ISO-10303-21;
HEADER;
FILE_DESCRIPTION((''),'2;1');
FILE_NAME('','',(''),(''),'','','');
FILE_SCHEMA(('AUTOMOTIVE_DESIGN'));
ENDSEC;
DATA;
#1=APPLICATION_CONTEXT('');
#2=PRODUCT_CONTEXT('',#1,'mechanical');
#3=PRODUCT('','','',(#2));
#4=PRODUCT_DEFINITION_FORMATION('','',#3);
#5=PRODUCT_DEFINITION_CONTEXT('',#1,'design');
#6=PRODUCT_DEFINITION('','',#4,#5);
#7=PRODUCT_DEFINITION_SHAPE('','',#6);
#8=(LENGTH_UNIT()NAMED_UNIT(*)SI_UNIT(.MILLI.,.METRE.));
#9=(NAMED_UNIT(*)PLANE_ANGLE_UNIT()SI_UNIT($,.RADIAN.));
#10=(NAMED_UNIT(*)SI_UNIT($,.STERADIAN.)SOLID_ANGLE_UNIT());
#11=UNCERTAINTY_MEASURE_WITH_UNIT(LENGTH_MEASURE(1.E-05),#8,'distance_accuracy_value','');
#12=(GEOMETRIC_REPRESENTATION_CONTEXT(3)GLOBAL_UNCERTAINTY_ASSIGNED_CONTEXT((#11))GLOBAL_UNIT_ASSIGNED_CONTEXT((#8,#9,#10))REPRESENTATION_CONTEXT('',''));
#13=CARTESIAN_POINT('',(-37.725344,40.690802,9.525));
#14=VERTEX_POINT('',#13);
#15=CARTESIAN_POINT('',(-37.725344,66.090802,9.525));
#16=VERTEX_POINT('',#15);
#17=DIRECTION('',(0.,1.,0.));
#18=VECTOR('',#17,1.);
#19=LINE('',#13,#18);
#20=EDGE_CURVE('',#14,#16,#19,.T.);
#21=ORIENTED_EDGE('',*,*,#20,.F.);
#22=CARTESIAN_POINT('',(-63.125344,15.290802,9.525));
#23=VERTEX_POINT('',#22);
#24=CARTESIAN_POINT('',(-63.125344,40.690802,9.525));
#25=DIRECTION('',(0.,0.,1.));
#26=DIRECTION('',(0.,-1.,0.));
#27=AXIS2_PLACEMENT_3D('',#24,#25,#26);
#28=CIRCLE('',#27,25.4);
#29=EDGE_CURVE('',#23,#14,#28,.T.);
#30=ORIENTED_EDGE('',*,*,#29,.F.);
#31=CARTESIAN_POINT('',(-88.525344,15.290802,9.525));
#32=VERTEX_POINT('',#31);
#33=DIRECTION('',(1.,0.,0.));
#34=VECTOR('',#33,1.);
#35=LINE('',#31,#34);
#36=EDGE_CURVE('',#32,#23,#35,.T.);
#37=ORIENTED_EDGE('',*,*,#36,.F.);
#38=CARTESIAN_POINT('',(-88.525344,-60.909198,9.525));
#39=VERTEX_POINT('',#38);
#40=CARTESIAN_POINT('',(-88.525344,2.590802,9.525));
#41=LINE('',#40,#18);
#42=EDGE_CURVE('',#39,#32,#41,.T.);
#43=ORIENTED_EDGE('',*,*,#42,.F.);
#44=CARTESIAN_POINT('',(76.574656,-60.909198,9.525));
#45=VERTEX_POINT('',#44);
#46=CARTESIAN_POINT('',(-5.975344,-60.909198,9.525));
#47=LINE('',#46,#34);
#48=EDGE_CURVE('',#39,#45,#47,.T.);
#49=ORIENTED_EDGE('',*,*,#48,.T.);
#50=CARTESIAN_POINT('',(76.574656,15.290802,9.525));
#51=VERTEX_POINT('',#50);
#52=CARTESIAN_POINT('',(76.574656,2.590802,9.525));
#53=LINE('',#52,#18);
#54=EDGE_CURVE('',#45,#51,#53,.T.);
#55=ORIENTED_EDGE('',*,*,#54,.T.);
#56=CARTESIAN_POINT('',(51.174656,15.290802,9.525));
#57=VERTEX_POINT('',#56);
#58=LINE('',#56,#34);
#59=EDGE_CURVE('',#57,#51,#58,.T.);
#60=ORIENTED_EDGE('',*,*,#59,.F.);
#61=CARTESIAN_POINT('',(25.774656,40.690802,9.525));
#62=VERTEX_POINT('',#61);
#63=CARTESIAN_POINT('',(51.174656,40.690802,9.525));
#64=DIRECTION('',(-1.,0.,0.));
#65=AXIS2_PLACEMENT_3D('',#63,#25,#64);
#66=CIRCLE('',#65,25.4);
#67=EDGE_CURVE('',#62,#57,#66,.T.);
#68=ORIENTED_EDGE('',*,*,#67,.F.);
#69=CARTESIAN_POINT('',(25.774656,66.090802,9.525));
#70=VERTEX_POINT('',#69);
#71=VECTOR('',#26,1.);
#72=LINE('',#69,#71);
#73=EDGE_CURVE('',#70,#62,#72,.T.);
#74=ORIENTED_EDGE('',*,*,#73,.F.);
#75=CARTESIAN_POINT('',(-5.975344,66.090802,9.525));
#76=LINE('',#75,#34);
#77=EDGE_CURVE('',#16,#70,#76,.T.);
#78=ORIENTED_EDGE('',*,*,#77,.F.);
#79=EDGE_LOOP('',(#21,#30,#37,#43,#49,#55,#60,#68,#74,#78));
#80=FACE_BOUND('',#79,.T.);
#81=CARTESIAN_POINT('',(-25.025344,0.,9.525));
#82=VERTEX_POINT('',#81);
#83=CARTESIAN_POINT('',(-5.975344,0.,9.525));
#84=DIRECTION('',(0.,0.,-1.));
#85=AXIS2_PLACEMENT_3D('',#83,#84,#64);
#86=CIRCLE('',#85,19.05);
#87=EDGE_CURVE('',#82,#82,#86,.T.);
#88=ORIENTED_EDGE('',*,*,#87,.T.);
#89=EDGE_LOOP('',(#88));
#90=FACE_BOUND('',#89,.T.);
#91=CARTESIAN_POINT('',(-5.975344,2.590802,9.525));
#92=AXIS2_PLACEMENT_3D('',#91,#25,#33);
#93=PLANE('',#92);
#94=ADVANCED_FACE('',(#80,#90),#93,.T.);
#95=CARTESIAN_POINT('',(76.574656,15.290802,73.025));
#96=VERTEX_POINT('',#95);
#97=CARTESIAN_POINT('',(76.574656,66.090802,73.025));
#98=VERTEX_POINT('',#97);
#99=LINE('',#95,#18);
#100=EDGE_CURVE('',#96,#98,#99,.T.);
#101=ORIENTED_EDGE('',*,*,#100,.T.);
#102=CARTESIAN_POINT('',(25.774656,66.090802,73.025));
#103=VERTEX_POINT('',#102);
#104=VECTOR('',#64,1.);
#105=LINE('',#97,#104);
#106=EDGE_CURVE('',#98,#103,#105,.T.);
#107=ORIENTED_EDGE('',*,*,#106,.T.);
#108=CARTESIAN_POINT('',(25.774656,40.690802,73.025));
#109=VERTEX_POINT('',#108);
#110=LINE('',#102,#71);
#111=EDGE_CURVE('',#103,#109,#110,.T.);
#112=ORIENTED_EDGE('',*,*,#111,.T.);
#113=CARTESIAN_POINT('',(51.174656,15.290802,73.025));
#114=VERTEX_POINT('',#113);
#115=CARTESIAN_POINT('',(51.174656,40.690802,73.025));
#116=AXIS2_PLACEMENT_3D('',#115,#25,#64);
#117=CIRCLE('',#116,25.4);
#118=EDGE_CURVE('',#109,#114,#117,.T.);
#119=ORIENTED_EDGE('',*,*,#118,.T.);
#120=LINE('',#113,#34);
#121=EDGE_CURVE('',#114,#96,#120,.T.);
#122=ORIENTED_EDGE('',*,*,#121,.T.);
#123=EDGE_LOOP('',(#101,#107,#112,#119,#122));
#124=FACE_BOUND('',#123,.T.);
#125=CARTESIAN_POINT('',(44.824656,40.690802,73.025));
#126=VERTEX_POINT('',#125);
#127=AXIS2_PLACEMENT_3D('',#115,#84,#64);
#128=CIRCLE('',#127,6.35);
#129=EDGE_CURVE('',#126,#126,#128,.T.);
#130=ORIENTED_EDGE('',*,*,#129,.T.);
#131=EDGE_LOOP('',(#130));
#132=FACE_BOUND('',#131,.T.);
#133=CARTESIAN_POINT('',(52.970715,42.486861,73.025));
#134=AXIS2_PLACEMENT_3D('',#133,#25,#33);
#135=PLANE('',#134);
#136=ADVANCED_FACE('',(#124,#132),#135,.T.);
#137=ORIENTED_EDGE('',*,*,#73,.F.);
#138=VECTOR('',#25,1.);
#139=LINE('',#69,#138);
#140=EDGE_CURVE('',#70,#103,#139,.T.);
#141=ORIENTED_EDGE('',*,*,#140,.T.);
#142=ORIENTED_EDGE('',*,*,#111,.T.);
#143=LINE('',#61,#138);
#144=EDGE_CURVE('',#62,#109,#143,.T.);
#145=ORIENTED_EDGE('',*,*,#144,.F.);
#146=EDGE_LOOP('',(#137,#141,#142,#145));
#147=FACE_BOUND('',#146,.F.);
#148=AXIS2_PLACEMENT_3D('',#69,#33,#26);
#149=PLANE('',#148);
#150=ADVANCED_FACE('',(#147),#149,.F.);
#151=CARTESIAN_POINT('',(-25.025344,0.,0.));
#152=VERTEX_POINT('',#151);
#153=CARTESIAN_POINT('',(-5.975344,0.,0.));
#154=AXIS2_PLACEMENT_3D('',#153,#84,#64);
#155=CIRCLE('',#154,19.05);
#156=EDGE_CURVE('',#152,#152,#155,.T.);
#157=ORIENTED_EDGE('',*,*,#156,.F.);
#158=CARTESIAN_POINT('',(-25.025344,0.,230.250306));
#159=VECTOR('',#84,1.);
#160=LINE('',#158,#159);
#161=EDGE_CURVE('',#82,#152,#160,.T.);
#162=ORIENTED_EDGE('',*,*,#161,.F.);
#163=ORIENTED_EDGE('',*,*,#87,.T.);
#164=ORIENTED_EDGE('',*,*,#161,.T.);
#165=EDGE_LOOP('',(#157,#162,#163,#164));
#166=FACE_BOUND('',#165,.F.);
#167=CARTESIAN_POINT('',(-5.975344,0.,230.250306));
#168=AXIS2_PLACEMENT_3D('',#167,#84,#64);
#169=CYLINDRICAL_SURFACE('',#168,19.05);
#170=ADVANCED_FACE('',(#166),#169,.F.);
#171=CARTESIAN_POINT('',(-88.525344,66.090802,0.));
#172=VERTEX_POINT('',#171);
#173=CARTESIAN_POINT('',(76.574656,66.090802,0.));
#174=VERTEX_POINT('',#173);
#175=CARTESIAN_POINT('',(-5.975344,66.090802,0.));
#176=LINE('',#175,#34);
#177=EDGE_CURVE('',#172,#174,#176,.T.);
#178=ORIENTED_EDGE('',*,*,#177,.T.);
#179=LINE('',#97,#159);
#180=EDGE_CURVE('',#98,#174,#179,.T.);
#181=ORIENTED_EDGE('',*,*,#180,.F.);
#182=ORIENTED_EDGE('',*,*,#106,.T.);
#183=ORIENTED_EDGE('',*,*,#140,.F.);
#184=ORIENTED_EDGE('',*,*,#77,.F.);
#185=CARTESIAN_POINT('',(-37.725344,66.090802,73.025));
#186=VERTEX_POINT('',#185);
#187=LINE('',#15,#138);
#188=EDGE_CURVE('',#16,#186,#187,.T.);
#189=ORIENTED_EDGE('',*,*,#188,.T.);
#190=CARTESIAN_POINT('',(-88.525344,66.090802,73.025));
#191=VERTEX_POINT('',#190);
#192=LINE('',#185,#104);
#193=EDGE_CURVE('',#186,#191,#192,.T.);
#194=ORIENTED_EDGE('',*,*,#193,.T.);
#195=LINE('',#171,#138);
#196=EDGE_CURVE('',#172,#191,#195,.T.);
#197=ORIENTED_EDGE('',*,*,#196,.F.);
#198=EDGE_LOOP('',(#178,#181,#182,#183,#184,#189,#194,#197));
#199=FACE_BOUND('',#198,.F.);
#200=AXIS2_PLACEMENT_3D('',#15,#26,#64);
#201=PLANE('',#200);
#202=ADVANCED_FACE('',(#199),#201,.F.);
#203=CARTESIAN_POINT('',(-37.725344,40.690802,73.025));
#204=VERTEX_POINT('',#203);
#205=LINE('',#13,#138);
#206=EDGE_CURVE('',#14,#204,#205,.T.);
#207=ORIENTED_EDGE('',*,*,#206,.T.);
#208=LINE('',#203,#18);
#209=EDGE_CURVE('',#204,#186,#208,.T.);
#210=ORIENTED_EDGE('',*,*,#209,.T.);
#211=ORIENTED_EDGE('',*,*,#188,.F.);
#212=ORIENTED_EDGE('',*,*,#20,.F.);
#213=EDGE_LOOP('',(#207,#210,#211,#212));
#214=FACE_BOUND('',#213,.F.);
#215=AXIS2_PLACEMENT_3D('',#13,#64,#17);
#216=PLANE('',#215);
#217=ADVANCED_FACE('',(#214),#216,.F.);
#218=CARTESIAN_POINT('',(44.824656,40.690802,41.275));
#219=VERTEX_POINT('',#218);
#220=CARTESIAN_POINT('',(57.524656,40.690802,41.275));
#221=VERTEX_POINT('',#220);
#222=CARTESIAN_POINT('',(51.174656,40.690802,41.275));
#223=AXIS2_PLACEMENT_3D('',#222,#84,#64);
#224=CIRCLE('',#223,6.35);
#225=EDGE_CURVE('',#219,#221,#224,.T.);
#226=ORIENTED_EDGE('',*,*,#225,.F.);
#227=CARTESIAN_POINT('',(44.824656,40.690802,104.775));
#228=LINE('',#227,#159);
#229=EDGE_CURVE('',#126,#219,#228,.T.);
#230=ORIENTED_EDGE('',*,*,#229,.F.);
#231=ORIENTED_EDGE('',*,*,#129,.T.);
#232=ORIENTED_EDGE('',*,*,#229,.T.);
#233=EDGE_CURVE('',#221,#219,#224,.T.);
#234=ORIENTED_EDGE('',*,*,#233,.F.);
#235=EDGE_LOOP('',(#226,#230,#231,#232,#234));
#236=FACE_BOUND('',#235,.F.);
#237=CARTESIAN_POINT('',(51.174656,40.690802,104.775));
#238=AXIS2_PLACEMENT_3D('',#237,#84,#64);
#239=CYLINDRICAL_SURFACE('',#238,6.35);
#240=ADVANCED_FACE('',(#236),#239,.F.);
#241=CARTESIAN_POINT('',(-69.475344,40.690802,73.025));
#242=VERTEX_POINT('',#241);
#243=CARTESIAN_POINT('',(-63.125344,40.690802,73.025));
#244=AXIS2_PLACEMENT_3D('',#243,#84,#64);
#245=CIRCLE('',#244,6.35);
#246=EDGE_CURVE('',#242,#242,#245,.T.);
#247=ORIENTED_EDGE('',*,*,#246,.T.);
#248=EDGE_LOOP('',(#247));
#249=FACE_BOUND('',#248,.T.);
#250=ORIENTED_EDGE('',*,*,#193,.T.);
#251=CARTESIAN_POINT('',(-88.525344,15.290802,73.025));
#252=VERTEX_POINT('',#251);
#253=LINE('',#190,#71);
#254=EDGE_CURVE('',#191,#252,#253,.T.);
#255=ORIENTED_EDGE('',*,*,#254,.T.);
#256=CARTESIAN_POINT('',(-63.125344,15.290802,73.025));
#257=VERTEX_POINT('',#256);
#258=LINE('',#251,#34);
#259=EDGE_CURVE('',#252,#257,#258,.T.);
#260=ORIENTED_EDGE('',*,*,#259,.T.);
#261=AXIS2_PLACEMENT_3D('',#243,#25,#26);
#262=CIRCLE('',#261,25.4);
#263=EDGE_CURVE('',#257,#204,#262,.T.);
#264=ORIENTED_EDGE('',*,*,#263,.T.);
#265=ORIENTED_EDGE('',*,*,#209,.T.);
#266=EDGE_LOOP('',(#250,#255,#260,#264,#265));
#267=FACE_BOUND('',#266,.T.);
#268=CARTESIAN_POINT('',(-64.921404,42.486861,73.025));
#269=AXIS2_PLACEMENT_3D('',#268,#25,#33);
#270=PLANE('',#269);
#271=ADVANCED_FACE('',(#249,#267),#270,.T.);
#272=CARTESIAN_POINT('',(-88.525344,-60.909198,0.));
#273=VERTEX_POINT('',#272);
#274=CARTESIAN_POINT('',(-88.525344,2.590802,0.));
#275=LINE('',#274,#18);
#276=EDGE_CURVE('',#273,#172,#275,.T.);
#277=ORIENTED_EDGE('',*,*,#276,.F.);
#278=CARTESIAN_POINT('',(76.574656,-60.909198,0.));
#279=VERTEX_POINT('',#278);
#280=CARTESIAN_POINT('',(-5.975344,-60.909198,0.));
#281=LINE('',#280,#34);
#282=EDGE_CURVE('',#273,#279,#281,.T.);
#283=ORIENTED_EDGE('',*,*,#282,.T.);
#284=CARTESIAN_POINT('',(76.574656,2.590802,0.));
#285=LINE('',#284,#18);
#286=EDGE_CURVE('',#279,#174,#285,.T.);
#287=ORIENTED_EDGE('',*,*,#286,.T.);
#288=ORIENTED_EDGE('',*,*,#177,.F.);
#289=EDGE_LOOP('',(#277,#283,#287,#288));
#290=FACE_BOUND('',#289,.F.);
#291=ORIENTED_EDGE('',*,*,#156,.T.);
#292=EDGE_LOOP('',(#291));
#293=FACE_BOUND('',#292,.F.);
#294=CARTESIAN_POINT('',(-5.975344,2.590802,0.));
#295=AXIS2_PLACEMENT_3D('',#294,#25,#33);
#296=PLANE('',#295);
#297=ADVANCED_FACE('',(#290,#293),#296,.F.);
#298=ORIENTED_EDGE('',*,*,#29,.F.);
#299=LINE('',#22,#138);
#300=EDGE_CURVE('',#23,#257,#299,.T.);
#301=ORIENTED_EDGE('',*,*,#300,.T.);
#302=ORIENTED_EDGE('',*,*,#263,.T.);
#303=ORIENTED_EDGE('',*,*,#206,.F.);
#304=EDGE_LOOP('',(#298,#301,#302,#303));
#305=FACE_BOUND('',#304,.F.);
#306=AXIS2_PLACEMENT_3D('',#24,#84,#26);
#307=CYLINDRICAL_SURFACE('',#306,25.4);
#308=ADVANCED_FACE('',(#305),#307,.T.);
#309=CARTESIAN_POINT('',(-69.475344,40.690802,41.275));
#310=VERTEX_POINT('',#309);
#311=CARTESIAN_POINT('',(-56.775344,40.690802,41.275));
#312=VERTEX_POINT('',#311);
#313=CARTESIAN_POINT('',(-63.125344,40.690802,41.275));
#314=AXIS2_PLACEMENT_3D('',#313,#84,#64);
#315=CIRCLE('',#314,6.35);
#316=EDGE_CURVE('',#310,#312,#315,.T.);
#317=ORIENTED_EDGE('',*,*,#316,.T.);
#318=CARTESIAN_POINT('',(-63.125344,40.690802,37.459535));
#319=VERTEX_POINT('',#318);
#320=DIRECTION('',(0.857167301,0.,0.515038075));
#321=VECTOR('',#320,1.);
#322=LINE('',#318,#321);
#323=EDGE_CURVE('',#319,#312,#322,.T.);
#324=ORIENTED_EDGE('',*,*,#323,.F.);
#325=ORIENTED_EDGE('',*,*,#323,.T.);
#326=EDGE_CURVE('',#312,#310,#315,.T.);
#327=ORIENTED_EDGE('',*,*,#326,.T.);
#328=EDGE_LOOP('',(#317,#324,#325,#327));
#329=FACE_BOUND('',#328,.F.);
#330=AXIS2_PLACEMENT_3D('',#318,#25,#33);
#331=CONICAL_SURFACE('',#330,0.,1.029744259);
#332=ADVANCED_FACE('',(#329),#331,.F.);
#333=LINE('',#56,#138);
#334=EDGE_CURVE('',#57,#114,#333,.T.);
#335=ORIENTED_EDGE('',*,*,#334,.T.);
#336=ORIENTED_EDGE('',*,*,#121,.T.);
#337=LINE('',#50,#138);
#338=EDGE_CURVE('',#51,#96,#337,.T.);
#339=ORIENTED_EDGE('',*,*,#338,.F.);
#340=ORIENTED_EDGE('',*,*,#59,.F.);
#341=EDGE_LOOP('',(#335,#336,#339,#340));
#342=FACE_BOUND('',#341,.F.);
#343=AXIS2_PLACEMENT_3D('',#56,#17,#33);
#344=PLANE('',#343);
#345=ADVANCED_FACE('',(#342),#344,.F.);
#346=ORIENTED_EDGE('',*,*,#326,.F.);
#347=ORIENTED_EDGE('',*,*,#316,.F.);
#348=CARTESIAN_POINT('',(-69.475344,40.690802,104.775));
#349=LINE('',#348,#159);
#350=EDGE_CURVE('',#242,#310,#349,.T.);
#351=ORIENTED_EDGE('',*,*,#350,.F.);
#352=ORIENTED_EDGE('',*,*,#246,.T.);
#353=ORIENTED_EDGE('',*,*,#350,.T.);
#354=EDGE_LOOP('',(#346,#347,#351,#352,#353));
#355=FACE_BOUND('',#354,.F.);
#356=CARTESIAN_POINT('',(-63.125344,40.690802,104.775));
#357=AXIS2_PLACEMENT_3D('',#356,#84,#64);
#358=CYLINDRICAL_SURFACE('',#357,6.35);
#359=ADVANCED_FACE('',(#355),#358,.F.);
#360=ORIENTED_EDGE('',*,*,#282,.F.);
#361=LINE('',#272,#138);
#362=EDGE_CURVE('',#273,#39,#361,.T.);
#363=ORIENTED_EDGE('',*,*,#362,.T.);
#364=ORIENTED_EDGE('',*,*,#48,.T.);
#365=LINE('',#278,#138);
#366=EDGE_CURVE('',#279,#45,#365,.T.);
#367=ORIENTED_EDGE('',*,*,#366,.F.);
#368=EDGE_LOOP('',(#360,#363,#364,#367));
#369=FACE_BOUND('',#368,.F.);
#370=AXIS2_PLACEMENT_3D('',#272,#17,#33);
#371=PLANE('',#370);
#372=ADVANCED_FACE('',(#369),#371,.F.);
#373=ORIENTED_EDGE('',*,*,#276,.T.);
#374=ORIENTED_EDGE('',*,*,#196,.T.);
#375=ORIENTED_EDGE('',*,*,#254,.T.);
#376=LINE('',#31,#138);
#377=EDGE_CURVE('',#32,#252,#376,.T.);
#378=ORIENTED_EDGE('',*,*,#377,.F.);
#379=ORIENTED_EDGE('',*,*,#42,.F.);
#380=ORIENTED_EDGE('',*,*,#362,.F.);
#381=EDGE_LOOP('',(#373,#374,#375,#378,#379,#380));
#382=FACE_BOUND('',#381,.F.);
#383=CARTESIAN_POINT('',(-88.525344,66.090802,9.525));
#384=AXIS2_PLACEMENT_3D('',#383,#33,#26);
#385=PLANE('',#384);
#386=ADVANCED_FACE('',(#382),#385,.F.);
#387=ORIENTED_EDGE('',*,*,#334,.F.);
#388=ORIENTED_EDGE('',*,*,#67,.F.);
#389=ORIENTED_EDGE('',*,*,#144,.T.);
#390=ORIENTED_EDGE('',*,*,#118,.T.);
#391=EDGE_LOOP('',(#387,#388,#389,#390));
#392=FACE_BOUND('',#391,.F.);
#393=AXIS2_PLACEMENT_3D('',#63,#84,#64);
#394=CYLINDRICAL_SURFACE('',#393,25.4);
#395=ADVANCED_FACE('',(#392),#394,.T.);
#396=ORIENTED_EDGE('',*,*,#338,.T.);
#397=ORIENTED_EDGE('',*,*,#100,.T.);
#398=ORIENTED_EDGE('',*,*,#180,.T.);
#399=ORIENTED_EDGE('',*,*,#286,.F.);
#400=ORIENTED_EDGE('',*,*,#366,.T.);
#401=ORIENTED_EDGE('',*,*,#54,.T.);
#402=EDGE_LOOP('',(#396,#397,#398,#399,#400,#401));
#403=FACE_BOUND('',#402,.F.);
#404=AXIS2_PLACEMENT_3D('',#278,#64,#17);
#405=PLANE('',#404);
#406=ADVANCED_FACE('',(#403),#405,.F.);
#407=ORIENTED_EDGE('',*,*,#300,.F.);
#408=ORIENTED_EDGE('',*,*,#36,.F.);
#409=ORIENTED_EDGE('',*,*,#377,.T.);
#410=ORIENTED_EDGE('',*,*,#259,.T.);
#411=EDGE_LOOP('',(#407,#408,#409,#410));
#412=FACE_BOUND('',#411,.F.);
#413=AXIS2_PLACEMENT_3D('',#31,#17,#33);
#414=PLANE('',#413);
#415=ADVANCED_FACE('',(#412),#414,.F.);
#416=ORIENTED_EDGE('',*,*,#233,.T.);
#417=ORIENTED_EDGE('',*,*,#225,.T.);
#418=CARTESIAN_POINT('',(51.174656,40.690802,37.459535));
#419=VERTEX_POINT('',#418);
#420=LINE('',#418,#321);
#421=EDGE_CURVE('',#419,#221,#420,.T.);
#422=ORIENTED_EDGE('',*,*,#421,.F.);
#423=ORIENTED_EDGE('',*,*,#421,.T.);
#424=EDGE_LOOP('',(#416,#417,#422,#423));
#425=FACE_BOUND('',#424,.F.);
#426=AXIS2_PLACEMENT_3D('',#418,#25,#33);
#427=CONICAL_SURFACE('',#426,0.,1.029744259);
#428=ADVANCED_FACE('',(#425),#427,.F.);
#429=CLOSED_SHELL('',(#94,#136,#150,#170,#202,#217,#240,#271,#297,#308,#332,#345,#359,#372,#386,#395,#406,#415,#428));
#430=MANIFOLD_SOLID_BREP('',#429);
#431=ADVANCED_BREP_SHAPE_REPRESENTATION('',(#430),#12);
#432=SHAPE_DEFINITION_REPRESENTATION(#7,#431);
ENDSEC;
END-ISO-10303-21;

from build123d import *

# Parameters (mm, degrees)
F0_W     = 165.1
F0_H     = 127
F1_DEPTH = 9.525
F3_DEPTH = 63.5
F5_D     = 12.7
F5_DEPTH = 31.75
F5_TIP   = 3.8154649308
F7_D     = 12.7
F7_DEPTH = 31.75
F7_TIP   = 3.8154649308
F9_D     = 38.1


with BuildPart() as f1:
    # F0 (on Top) → F1 (new body)
    with BuildSketch(Plane.XY):
        with Locations((-5.9753443556, 2.5908015668)):
            Rectangle(F0_W, F0_H)
    extrude(amount=F1_DEPTH)

    # F2 (on face) → F3 (join)
    with BuildSketch(Plane.XY.offset(9.525)):
        with BuildLine():
            Line((-37.7253443556, 66.0908015668), (-88.5253443556, 66.0908015668))
            Line((-88.5253443556, 66.0908015668), (-88.5253443556, 15.2908015668))
            Line((-88.5253443556, 15.2908015668), (-63.1253443556, 15.2908015668))
            ThreePointArc((-63.1253443556, 15.2908015668), (-45.1648321135, 22.7302893247), (-37.7253443556, 40.6908015668))
            Line((-37.7253443556, 40.6908015668), (-37.7253443556, 66.0908015668))
        make_face()
        with BuildLine():
            Line((76.5746556444, 66.0908015668), (25.7746556444, 66.0908015668))
            Line((25.7746556444, 66.0908015668), (25.7746556444, 40.6908015668))
            ThreePointArc((25.7746556444, 40.6908015668), (33.2141434022, 22.7302893247), (51.1746556444, 15.2908015668))
            Line((51.1746556444, 15.2908015668), (76.5746556444, 15.2908015668))
            Line((76.5746556444, 15.2908015668), (76.5746556444, 66.0908015668))
        make_face()
    extrude(amount=F3_DEPTH)

    # F5
    with Locations(Plane.XY.offset(73.025)):
        with Locations((-63.1253443556, 40.6908015668)):
            Hole(F5_D / 2, depth=F5_DEPTH)
            with Locations((0, 0, -(F5_DEPTH + F5_TIP / 2))):  # 118° drill point
                Cone(0, F5_D / 2, F5_TIP, mode=Mode.SUBTRACT)

    # F7
    with Locations(Plane.XY.offset(73.025)):
        with Locations((51.1746556444, 40.6908015668)):
            Hole(F7_D / 2, depth=F7_DEPTH)
            with Locations((0, 0, -(F7_DEPTH + F7_TIP / 2))):  # 118° drill point
                Cone(0, F7_D / 2, F7_TIP, mode=Mode.SUBTRACT)

    # F9 (through all)
    with Locations(Plane.XY.offset(9.525)):
        with Locations((-5.9753443556, 0)):
            Hole(F9_D / 2)


solid = f1.part
